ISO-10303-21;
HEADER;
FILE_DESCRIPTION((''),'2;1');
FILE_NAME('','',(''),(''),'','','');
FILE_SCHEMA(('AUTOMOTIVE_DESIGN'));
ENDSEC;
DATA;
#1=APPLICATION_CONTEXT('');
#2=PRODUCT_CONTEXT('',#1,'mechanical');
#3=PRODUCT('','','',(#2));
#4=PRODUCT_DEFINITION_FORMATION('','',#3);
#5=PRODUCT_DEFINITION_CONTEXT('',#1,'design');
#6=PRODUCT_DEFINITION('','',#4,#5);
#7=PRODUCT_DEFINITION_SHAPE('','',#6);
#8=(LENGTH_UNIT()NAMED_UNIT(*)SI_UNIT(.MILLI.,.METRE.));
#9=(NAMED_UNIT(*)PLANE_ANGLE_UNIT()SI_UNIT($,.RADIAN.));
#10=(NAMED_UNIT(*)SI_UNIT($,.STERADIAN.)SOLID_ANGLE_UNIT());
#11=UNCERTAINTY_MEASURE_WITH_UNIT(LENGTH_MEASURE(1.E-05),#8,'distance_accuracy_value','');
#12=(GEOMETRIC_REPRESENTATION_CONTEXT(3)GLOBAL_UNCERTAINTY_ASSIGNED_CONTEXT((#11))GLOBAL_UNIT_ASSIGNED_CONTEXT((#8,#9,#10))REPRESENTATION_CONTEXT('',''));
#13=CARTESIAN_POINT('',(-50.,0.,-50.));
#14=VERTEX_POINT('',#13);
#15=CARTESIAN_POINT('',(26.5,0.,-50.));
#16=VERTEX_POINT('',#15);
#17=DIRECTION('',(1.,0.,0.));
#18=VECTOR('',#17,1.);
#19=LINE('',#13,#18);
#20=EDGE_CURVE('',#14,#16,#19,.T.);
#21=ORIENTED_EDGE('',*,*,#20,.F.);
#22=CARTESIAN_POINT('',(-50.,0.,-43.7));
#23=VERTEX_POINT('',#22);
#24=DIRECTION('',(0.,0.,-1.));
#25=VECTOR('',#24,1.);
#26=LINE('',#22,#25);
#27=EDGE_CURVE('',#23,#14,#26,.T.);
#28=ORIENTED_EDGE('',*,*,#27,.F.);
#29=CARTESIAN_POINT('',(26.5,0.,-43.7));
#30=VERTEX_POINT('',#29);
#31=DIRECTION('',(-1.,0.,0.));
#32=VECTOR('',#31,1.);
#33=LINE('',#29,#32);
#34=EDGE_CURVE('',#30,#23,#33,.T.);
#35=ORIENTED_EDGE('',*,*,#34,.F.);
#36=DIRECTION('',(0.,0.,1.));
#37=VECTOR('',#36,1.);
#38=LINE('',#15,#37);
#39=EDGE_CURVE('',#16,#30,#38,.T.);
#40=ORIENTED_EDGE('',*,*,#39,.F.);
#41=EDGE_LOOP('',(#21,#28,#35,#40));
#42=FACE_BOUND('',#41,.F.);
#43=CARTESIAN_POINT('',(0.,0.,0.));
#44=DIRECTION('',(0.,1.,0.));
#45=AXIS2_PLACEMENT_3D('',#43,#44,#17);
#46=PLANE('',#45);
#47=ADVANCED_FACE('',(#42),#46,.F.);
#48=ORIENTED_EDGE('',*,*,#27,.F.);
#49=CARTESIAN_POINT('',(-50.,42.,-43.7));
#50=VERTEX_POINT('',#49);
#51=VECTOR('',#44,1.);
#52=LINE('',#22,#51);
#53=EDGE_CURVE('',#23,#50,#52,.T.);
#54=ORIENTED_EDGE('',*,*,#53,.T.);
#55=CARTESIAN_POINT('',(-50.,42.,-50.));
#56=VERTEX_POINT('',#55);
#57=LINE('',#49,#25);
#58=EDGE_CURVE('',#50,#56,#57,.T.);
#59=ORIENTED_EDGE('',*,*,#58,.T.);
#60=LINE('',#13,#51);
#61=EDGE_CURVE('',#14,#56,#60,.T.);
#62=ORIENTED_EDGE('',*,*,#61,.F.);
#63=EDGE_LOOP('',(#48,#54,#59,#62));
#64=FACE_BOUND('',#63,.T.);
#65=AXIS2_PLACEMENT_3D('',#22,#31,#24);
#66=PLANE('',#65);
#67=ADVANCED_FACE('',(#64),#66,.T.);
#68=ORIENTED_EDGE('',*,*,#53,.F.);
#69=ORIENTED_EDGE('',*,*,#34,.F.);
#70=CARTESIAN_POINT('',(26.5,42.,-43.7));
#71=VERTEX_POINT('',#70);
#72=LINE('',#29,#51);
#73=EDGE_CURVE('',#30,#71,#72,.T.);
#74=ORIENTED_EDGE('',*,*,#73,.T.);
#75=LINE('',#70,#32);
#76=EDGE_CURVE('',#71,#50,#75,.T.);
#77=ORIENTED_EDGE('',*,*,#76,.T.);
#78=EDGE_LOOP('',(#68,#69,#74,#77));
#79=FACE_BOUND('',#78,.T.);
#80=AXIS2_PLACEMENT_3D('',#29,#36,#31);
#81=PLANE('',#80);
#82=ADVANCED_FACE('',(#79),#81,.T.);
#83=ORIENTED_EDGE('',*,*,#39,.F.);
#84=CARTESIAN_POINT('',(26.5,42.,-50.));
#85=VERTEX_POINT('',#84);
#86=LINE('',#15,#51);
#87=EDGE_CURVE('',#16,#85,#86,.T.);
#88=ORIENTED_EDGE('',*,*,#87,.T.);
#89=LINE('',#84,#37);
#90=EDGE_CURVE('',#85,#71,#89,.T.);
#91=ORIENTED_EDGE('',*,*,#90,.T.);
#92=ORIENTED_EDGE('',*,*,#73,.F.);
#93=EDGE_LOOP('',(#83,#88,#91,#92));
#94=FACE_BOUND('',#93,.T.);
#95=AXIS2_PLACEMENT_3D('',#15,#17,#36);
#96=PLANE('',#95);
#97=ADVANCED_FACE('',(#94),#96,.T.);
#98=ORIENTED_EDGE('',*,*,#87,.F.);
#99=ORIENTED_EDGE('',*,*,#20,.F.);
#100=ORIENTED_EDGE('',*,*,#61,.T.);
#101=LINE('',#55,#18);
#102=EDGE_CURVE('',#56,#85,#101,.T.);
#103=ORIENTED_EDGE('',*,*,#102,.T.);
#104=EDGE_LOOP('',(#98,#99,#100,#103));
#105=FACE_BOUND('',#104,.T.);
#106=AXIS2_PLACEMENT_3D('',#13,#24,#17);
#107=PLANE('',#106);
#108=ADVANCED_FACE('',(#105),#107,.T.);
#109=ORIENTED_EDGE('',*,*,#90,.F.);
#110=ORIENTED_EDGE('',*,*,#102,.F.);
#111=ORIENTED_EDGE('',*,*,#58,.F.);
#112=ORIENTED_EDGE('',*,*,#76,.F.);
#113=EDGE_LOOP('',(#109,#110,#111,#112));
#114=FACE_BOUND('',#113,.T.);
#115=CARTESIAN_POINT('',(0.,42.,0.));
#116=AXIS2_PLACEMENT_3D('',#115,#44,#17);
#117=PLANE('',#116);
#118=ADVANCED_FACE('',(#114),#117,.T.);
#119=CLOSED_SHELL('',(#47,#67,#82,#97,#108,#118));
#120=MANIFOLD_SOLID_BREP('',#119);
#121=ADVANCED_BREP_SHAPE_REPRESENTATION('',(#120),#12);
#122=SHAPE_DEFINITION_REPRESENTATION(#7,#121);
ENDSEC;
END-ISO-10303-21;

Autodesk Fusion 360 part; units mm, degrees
sketch "Sketch1" plane through (0, 0, 0) normal (0, 1, 0) x (1, 0, 0)
  line L0 (-50, 50) -> (26.5, 50)
  line L1 (26.5, 50) -> (26.5, 43.7)
  line L2 (26.5, 43.7) -> (-50, 43.7)
  line L3 (-50, 43.7) -> (-50, 50)
  dimension "d1" = 76.5
  dimension "d2" = 6.3
extrude "Extrude1" add sketch "Sketch1" along normal blind 42
